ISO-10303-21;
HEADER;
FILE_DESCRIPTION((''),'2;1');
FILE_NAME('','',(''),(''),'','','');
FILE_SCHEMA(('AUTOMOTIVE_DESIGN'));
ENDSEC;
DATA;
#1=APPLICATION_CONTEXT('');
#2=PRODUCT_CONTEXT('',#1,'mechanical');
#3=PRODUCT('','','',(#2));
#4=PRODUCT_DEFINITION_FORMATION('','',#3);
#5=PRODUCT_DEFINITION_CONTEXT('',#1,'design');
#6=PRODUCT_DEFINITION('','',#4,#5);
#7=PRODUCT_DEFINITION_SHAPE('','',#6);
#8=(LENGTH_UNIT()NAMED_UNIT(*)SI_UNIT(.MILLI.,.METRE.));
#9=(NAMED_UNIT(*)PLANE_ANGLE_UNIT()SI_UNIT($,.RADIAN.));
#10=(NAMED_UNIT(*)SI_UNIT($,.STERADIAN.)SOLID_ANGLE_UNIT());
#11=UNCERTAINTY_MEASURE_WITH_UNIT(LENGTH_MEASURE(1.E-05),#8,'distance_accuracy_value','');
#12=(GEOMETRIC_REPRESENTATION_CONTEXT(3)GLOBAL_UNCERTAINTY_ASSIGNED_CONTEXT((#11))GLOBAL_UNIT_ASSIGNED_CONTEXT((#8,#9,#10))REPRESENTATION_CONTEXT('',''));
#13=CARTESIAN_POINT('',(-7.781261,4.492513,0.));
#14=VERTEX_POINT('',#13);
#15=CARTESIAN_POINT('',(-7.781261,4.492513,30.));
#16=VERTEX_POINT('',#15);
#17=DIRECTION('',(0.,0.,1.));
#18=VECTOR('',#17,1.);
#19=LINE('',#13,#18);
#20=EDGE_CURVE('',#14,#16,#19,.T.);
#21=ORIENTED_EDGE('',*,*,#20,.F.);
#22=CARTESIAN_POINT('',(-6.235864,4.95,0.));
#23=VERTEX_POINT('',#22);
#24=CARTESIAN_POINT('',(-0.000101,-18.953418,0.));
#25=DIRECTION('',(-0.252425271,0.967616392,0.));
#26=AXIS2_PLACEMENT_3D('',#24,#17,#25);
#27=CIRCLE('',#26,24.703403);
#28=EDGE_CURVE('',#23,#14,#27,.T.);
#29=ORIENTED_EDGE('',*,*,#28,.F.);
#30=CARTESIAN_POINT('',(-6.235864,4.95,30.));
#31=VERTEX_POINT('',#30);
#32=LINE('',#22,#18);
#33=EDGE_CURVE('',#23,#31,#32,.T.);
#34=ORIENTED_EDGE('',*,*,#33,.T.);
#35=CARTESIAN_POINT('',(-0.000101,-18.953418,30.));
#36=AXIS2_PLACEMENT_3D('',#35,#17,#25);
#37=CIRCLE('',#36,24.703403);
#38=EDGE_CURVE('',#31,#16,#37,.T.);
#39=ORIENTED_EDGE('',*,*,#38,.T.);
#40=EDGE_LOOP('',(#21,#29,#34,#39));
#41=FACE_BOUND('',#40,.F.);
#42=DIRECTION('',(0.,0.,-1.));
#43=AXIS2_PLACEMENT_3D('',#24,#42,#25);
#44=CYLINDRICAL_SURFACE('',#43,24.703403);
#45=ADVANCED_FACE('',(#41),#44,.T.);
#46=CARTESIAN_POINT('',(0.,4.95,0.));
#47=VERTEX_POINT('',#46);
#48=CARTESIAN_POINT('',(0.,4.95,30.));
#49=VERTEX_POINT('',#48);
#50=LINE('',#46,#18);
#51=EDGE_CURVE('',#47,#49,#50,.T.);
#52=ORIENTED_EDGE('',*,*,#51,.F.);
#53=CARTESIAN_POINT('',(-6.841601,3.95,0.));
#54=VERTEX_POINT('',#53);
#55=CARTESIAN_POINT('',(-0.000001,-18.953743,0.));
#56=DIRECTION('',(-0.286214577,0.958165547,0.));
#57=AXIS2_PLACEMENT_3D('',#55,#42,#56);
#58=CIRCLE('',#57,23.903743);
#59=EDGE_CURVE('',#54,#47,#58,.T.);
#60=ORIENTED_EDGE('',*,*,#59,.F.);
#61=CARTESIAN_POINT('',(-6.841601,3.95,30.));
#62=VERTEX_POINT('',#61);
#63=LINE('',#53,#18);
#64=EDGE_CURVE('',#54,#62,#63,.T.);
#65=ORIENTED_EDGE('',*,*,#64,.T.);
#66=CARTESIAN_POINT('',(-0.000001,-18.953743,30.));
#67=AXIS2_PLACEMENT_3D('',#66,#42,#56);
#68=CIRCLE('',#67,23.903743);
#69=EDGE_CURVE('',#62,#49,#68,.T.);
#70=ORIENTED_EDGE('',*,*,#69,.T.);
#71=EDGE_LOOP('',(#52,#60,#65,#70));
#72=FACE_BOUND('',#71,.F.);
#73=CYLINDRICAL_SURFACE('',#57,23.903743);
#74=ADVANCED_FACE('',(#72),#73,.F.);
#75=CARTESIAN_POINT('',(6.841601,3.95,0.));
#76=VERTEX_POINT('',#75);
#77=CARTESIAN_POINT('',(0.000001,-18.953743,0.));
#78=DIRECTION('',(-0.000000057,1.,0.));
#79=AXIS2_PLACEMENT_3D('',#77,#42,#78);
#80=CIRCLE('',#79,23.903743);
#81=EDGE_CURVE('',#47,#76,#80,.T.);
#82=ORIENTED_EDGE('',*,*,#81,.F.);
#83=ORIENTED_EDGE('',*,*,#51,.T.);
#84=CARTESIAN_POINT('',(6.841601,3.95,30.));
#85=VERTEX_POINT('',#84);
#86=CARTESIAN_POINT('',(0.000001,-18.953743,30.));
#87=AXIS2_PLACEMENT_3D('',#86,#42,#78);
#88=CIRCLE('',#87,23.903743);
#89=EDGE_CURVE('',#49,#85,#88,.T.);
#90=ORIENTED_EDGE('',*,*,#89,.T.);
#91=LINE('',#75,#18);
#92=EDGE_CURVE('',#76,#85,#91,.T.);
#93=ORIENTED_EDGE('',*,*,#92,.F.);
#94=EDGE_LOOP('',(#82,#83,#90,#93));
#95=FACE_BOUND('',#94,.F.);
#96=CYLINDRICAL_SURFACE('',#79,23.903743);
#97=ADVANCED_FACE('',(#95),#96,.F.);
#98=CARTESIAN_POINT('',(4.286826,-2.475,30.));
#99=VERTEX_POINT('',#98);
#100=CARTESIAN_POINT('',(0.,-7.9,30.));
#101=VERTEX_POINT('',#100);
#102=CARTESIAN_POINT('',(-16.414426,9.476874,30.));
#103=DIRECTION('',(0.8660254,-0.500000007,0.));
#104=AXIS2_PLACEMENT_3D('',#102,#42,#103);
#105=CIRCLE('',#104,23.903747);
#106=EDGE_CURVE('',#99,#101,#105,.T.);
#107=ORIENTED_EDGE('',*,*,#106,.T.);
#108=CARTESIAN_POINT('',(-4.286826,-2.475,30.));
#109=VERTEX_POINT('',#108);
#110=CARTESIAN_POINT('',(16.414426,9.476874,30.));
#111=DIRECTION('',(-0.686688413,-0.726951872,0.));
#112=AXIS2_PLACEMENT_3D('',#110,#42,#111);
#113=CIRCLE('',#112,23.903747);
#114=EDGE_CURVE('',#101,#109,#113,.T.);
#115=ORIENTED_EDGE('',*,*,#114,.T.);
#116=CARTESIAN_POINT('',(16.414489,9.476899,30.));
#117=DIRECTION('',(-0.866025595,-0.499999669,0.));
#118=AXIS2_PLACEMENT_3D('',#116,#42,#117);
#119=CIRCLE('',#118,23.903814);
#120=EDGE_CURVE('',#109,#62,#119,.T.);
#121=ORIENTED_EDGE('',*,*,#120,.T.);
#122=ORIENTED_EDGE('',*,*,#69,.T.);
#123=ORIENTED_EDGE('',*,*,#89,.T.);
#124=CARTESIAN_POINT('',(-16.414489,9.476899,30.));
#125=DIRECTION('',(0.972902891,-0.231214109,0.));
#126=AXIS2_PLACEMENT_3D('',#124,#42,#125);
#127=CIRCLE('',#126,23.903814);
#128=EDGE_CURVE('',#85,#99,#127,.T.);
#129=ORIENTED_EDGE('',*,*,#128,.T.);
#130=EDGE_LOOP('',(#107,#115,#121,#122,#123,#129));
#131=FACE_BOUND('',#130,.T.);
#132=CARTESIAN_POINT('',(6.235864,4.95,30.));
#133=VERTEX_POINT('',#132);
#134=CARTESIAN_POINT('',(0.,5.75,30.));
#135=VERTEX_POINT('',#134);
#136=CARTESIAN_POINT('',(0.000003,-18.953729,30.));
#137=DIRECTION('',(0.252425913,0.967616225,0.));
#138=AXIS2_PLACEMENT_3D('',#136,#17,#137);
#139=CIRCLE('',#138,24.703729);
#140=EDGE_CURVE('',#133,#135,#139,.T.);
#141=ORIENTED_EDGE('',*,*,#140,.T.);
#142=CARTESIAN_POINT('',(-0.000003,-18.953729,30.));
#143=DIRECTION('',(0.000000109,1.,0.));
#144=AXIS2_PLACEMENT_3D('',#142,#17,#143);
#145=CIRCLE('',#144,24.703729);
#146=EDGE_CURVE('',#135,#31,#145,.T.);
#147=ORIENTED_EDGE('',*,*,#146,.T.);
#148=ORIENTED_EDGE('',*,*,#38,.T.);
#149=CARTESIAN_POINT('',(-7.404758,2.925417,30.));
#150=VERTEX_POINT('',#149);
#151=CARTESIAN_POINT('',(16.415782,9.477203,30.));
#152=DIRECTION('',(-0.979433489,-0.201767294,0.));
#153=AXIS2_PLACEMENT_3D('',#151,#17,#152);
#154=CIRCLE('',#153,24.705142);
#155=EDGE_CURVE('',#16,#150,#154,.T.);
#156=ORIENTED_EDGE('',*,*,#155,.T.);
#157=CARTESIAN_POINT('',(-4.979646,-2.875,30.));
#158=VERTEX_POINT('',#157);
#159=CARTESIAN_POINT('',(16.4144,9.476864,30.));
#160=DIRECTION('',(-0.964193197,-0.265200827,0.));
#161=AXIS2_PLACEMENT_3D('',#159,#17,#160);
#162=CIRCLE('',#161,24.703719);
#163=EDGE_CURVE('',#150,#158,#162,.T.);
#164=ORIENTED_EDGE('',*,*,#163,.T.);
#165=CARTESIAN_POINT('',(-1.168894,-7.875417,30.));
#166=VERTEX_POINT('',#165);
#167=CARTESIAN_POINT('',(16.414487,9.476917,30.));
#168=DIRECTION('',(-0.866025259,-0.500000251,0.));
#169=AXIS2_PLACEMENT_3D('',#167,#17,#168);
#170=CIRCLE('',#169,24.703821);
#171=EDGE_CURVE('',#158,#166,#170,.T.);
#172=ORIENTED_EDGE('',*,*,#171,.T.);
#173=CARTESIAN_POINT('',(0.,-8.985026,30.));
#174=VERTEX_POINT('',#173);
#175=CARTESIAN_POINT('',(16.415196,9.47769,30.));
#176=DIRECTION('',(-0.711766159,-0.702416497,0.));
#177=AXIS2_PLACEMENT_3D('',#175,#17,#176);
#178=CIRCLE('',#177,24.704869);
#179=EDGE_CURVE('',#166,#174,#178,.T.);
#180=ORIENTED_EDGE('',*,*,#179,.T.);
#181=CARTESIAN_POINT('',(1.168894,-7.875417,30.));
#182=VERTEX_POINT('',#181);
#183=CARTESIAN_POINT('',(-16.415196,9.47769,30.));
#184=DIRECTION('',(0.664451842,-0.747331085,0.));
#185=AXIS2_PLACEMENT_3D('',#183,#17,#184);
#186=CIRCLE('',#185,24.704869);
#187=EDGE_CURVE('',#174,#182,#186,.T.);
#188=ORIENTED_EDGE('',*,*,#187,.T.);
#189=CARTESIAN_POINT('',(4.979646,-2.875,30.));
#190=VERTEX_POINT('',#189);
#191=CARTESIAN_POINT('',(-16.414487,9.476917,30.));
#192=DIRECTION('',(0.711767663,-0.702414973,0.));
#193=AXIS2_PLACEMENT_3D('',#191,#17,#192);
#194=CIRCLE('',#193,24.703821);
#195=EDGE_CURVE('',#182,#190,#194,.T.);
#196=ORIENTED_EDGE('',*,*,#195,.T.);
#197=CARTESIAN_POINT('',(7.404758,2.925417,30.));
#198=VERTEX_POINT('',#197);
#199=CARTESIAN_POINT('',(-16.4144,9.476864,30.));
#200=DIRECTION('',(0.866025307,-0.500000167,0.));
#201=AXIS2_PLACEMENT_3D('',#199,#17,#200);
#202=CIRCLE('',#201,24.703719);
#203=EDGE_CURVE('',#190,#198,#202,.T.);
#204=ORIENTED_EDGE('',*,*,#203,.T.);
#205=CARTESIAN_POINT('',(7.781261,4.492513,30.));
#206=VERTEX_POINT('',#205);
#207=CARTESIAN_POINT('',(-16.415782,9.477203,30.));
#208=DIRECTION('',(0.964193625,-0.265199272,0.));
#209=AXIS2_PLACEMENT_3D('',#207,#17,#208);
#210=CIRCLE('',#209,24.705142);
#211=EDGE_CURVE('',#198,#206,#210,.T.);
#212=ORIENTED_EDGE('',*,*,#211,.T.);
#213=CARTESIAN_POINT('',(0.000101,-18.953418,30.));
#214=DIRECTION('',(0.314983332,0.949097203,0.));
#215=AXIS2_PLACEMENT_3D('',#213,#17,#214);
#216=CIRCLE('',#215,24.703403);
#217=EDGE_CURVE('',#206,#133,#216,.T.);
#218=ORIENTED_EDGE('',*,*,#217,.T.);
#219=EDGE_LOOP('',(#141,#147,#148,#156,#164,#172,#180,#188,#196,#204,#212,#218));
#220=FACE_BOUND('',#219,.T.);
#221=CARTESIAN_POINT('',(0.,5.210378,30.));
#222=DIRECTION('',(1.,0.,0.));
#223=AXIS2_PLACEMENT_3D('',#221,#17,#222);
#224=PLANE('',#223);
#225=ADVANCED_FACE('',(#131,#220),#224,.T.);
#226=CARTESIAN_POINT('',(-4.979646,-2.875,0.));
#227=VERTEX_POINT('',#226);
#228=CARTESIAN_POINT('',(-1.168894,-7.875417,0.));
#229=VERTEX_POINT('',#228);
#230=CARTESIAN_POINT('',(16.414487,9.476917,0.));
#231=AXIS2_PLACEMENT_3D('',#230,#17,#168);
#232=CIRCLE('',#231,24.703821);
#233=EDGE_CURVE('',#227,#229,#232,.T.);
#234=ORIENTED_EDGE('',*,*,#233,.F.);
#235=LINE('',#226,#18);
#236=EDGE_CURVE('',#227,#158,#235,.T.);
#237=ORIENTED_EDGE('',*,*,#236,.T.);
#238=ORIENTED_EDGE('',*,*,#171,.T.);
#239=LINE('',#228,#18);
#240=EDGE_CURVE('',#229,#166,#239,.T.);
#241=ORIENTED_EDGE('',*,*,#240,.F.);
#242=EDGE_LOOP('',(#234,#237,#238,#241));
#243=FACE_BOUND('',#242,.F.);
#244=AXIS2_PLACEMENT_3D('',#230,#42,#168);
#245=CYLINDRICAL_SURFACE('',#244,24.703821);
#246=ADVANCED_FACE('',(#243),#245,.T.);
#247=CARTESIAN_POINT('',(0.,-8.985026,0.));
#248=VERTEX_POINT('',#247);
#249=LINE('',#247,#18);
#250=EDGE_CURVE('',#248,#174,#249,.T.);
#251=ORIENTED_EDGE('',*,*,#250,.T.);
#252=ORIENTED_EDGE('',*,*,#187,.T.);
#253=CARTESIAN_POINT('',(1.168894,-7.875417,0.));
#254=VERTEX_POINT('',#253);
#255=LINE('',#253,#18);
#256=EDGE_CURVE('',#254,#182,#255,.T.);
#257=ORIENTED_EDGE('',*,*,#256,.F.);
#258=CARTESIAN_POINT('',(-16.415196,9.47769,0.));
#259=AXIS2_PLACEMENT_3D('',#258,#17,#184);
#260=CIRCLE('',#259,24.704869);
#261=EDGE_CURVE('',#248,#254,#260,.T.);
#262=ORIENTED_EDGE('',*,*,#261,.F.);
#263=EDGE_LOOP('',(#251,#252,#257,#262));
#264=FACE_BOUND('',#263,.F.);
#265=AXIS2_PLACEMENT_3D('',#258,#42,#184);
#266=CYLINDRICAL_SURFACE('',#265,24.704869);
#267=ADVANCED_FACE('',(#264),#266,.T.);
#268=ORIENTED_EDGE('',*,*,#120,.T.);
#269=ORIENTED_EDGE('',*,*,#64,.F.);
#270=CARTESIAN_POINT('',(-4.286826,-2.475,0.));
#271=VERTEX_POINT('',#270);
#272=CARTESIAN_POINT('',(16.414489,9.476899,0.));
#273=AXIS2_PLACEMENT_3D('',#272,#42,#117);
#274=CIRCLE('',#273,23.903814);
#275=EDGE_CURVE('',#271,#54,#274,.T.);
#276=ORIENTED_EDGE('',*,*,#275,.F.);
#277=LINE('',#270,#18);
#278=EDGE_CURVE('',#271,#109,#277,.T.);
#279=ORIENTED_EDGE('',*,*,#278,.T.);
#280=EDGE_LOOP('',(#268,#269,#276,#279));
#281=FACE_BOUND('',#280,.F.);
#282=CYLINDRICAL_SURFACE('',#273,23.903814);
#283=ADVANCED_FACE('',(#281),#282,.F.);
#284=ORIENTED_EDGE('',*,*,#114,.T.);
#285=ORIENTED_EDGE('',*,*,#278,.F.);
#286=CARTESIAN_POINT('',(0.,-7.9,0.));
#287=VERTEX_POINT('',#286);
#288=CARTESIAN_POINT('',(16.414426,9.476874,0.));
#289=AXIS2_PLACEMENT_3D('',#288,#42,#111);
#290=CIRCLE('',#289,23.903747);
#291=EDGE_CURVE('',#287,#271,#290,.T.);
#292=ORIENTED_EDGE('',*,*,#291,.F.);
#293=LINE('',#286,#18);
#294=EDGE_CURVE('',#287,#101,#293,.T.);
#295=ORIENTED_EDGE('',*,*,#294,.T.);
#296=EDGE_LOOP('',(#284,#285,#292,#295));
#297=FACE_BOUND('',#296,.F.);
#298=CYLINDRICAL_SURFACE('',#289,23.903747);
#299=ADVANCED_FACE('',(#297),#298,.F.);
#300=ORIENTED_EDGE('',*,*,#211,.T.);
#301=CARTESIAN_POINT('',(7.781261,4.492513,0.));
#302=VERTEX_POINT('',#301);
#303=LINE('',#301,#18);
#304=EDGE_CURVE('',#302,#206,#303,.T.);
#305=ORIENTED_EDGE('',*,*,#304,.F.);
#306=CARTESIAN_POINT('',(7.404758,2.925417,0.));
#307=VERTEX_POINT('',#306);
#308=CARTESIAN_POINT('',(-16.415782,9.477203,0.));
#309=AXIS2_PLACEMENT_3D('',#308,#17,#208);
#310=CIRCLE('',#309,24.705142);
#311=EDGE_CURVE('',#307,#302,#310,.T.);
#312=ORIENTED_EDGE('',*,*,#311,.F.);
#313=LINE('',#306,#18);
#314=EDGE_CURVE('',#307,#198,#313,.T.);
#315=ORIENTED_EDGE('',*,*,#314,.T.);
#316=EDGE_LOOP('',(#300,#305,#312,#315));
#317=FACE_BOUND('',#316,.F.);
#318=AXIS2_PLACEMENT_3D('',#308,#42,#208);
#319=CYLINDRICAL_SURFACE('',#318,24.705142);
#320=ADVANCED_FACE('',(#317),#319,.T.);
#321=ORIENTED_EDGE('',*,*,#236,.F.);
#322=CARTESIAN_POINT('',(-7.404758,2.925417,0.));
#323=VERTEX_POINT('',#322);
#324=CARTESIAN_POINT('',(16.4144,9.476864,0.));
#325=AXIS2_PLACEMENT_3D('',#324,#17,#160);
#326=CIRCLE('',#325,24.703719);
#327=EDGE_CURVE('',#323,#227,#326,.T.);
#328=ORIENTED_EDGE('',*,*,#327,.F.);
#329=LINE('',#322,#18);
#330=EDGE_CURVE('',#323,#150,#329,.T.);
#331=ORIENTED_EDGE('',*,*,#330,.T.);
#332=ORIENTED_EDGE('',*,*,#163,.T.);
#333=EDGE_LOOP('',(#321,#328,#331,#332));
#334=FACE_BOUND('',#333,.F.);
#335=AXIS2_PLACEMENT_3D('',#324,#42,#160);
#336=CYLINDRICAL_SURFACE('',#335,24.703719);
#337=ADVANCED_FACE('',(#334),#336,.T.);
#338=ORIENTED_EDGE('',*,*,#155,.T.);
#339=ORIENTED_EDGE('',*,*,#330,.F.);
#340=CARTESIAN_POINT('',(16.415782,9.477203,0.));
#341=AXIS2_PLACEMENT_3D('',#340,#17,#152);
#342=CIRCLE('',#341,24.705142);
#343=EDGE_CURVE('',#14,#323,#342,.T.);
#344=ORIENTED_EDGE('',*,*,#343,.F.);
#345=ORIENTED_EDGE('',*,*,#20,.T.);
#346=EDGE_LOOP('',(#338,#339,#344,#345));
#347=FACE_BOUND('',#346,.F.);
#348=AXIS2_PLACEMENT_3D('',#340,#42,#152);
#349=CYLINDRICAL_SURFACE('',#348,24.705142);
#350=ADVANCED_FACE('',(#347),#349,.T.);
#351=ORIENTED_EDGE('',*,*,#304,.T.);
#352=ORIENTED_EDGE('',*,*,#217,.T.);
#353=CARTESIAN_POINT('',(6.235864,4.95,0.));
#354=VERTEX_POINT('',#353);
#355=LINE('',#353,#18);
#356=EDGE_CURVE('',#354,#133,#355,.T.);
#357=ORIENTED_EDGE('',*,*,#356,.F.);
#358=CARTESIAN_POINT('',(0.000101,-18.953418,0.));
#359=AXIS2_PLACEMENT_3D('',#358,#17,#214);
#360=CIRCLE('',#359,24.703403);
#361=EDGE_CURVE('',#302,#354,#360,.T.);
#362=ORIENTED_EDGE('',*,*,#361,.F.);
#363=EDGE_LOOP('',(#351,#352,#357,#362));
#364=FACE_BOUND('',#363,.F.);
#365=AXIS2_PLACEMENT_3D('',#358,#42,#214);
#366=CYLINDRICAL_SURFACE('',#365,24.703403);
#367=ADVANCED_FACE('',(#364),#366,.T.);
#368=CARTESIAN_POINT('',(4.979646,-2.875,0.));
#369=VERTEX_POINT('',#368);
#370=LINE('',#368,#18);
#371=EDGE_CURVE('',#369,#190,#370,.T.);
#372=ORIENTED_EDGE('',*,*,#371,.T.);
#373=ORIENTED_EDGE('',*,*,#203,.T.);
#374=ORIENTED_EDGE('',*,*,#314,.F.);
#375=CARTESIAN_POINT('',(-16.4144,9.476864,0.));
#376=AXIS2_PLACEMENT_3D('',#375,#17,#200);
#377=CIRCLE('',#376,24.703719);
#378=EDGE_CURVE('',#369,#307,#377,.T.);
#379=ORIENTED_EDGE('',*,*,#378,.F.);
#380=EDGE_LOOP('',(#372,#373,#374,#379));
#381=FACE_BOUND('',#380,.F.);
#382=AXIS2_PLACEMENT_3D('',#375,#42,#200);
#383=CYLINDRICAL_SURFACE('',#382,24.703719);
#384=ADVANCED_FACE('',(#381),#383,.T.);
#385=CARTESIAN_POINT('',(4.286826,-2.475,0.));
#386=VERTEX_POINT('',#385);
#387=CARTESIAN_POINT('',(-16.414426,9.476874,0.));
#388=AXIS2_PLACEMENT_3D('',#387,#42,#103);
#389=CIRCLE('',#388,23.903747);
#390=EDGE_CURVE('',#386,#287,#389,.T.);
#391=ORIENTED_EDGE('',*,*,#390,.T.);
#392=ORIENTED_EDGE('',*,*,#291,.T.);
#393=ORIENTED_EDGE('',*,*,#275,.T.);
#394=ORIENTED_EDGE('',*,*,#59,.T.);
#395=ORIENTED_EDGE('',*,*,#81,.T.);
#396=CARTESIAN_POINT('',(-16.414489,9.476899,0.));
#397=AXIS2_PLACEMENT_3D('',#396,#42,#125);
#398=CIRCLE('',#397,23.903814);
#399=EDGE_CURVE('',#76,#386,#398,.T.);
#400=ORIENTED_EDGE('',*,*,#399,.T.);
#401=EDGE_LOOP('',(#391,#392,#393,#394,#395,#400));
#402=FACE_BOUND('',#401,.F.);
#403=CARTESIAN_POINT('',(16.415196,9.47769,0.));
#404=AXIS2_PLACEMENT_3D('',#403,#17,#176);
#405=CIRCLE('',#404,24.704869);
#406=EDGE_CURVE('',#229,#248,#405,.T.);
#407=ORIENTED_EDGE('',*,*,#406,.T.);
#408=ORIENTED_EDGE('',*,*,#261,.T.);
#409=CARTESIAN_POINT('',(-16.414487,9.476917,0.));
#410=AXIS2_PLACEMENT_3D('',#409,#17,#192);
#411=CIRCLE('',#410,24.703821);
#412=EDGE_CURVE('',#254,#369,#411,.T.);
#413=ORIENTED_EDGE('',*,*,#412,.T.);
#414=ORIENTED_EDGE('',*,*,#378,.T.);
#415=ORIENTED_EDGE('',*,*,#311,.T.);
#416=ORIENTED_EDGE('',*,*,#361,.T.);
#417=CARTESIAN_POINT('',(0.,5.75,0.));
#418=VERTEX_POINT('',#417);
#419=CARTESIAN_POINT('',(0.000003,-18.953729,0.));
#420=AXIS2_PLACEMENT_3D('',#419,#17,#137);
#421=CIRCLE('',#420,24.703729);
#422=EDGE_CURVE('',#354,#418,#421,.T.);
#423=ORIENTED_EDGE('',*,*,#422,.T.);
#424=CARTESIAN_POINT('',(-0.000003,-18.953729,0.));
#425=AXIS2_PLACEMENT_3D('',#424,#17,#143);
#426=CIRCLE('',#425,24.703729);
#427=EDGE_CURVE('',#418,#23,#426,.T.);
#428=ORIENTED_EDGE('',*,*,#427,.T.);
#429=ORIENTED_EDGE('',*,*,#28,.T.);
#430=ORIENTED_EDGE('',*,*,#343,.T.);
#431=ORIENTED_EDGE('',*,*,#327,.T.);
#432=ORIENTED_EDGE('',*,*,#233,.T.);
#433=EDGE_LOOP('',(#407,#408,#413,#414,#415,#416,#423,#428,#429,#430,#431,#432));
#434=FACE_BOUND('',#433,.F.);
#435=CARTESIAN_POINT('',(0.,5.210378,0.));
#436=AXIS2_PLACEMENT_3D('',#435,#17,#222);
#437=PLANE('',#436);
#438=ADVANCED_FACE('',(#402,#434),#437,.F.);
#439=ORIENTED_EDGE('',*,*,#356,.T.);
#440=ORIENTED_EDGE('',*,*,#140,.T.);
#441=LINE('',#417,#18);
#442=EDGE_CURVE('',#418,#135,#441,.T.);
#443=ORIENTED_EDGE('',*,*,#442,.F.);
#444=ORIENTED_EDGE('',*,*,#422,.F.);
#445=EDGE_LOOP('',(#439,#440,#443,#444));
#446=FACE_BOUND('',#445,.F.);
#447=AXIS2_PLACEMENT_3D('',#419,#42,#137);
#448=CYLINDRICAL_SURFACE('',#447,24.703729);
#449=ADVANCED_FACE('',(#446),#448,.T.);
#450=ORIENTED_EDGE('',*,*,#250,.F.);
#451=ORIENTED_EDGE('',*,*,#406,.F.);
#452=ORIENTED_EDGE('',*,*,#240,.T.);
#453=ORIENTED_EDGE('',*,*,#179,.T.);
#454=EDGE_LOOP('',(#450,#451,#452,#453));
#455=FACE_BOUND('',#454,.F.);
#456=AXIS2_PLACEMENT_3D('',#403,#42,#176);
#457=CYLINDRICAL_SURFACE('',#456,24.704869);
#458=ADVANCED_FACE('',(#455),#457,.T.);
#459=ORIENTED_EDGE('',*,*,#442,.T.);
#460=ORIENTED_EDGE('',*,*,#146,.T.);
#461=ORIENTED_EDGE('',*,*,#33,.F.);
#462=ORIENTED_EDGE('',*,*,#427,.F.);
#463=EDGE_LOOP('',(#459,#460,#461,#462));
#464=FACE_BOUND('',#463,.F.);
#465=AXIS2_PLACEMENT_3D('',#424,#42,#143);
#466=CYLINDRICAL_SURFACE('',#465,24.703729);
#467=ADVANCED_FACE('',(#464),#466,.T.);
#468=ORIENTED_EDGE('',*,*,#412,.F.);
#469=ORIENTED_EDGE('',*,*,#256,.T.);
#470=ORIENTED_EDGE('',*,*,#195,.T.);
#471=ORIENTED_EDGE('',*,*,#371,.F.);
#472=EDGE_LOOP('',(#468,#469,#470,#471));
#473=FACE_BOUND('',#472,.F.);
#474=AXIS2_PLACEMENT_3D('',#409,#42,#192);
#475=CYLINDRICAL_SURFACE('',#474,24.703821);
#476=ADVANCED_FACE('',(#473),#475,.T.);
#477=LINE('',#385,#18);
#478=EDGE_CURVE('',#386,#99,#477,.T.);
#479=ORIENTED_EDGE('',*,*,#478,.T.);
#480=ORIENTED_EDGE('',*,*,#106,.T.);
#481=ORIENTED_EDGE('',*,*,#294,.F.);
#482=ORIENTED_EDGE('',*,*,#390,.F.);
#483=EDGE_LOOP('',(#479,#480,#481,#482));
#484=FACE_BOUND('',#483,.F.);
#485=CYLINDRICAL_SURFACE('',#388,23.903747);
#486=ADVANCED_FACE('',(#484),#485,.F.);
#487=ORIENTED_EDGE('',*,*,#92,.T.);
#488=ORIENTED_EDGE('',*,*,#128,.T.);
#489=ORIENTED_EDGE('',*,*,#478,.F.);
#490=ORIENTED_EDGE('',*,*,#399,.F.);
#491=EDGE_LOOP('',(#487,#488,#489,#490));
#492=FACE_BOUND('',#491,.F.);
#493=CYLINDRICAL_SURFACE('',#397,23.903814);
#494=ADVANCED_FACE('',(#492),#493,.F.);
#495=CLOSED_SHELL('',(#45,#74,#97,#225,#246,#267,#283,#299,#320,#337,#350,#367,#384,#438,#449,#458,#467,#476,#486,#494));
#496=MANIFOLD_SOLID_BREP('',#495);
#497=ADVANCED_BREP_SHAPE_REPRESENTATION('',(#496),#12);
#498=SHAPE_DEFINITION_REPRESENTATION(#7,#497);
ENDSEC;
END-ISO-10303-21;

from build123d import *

# Parameters (mm, degrees)
F1_DEPTH = 30


with BuildPart() as f1:
    # F0 (on Top) → F1 (new body)
    with BuildSketch(Plane.XY):
        with BuildLine():
            Line((-6.235864, 4.95), (0, 4.95))
            Line((0, 4.95), (6.235864, 4.95))
            ThreePointArc((6.235864, 4.95), (3.143485, 5.549184), (0, 5.75))
            ThreePointArc((0, 5.75), (-3.143485, 5.549184), (-6.235864, 4.95))
        make_face()
        with BuildLine():
            Line((-7.404758, 2.925417), (-4.286826, -2.475))
            ThreePointArc((-4.286826, -2.475), (-5.797749, 0.644639), (-6.841601, 3.95))
            ThreePointArc((-6.841601, 3.95), (-3.457148, 4.698679), (0, 4.95))
            Line((0, 4.95), (-6.235864, 4.95))
            ThreePointArc((-6.235864, 4.95), (-7.012294, 4.733863), (-7.781261, 4.492513))
            ThreePointArc((-7.781261, 4.492513), (-7.605792, 3.705894), (-7.404758, 2.925417))
        make_face()
        with BuildLine():
            ThreePointArc((6.841601, 3.95), (5.797749, 0.644639), (4.286826, -2.475))
            Line((4.286826, -2.475), (7.404758, 2.925417))
            ThreePointArc((7.404758, 2.925417), (7.605792, 3.705894), (7.781261, 4.492513))
            ThreePointArc((7.781261, 4.492513), (7.012294, 4.733863), (6.235864, 4.95))
            Line((6.235864, 4.95), (0, 4.95))
            ThreePointArc((0, 4.95), (3.457148, 4.698679), (6.841601, 3.95))
        make_face()
        with BuildLine():
            Line((-4.286826, -2.475), (-1.168894, -7.875417))
            ThreePointArc((-1.168894, -7.875417), (-0.593498, -8.439756), (0, -8.985026))
            ThreePointArc((0, -8.985026), (0.593498, -8.439756), (1.168894, -7.875417))
            Line((1.168894, -7.875417), (4.286826, -2.475))
            ThreePointArc((4.286826, -2.475), (2.340601, -5.343318), (0, -7.9))
            ThreePointArc((0, -7.9), (-2.340601, -5.343318), (-4.286826, -2.475))
        make_face()
        with BuildLine():
            ThreePointArc((-4.979646, -2.875), (-3.233991, -5.49693), (-1.168894, -7.875417))
            Line((-1.168894, -7.875417), (-4.286826, -2.475))
            Line((-4.286826, -2.475), (-7.404758, 2.925417))
            ThreePointArc((-7.404758, 2.925417), (-6.377477, -0.052254), (-4.979646, -2.875))
        make_face()
        with BuildLine():
            Line((4.286826, -2.475), (1.168894, -7.875417))
            ThreePointArc((1.168894, -7.875417), (3.233991, -5.49693), (4.979646, -2.875))
            ThreePointArc((4.979646, -2.875), (6.377477, -0.052254), (7.404758, 2.925417))
            Line((7.404758, 2.925417), (4.286826, -2.475))
        make_face()
    extrude(amount=F1_DEPTH)


solid = f1.part
